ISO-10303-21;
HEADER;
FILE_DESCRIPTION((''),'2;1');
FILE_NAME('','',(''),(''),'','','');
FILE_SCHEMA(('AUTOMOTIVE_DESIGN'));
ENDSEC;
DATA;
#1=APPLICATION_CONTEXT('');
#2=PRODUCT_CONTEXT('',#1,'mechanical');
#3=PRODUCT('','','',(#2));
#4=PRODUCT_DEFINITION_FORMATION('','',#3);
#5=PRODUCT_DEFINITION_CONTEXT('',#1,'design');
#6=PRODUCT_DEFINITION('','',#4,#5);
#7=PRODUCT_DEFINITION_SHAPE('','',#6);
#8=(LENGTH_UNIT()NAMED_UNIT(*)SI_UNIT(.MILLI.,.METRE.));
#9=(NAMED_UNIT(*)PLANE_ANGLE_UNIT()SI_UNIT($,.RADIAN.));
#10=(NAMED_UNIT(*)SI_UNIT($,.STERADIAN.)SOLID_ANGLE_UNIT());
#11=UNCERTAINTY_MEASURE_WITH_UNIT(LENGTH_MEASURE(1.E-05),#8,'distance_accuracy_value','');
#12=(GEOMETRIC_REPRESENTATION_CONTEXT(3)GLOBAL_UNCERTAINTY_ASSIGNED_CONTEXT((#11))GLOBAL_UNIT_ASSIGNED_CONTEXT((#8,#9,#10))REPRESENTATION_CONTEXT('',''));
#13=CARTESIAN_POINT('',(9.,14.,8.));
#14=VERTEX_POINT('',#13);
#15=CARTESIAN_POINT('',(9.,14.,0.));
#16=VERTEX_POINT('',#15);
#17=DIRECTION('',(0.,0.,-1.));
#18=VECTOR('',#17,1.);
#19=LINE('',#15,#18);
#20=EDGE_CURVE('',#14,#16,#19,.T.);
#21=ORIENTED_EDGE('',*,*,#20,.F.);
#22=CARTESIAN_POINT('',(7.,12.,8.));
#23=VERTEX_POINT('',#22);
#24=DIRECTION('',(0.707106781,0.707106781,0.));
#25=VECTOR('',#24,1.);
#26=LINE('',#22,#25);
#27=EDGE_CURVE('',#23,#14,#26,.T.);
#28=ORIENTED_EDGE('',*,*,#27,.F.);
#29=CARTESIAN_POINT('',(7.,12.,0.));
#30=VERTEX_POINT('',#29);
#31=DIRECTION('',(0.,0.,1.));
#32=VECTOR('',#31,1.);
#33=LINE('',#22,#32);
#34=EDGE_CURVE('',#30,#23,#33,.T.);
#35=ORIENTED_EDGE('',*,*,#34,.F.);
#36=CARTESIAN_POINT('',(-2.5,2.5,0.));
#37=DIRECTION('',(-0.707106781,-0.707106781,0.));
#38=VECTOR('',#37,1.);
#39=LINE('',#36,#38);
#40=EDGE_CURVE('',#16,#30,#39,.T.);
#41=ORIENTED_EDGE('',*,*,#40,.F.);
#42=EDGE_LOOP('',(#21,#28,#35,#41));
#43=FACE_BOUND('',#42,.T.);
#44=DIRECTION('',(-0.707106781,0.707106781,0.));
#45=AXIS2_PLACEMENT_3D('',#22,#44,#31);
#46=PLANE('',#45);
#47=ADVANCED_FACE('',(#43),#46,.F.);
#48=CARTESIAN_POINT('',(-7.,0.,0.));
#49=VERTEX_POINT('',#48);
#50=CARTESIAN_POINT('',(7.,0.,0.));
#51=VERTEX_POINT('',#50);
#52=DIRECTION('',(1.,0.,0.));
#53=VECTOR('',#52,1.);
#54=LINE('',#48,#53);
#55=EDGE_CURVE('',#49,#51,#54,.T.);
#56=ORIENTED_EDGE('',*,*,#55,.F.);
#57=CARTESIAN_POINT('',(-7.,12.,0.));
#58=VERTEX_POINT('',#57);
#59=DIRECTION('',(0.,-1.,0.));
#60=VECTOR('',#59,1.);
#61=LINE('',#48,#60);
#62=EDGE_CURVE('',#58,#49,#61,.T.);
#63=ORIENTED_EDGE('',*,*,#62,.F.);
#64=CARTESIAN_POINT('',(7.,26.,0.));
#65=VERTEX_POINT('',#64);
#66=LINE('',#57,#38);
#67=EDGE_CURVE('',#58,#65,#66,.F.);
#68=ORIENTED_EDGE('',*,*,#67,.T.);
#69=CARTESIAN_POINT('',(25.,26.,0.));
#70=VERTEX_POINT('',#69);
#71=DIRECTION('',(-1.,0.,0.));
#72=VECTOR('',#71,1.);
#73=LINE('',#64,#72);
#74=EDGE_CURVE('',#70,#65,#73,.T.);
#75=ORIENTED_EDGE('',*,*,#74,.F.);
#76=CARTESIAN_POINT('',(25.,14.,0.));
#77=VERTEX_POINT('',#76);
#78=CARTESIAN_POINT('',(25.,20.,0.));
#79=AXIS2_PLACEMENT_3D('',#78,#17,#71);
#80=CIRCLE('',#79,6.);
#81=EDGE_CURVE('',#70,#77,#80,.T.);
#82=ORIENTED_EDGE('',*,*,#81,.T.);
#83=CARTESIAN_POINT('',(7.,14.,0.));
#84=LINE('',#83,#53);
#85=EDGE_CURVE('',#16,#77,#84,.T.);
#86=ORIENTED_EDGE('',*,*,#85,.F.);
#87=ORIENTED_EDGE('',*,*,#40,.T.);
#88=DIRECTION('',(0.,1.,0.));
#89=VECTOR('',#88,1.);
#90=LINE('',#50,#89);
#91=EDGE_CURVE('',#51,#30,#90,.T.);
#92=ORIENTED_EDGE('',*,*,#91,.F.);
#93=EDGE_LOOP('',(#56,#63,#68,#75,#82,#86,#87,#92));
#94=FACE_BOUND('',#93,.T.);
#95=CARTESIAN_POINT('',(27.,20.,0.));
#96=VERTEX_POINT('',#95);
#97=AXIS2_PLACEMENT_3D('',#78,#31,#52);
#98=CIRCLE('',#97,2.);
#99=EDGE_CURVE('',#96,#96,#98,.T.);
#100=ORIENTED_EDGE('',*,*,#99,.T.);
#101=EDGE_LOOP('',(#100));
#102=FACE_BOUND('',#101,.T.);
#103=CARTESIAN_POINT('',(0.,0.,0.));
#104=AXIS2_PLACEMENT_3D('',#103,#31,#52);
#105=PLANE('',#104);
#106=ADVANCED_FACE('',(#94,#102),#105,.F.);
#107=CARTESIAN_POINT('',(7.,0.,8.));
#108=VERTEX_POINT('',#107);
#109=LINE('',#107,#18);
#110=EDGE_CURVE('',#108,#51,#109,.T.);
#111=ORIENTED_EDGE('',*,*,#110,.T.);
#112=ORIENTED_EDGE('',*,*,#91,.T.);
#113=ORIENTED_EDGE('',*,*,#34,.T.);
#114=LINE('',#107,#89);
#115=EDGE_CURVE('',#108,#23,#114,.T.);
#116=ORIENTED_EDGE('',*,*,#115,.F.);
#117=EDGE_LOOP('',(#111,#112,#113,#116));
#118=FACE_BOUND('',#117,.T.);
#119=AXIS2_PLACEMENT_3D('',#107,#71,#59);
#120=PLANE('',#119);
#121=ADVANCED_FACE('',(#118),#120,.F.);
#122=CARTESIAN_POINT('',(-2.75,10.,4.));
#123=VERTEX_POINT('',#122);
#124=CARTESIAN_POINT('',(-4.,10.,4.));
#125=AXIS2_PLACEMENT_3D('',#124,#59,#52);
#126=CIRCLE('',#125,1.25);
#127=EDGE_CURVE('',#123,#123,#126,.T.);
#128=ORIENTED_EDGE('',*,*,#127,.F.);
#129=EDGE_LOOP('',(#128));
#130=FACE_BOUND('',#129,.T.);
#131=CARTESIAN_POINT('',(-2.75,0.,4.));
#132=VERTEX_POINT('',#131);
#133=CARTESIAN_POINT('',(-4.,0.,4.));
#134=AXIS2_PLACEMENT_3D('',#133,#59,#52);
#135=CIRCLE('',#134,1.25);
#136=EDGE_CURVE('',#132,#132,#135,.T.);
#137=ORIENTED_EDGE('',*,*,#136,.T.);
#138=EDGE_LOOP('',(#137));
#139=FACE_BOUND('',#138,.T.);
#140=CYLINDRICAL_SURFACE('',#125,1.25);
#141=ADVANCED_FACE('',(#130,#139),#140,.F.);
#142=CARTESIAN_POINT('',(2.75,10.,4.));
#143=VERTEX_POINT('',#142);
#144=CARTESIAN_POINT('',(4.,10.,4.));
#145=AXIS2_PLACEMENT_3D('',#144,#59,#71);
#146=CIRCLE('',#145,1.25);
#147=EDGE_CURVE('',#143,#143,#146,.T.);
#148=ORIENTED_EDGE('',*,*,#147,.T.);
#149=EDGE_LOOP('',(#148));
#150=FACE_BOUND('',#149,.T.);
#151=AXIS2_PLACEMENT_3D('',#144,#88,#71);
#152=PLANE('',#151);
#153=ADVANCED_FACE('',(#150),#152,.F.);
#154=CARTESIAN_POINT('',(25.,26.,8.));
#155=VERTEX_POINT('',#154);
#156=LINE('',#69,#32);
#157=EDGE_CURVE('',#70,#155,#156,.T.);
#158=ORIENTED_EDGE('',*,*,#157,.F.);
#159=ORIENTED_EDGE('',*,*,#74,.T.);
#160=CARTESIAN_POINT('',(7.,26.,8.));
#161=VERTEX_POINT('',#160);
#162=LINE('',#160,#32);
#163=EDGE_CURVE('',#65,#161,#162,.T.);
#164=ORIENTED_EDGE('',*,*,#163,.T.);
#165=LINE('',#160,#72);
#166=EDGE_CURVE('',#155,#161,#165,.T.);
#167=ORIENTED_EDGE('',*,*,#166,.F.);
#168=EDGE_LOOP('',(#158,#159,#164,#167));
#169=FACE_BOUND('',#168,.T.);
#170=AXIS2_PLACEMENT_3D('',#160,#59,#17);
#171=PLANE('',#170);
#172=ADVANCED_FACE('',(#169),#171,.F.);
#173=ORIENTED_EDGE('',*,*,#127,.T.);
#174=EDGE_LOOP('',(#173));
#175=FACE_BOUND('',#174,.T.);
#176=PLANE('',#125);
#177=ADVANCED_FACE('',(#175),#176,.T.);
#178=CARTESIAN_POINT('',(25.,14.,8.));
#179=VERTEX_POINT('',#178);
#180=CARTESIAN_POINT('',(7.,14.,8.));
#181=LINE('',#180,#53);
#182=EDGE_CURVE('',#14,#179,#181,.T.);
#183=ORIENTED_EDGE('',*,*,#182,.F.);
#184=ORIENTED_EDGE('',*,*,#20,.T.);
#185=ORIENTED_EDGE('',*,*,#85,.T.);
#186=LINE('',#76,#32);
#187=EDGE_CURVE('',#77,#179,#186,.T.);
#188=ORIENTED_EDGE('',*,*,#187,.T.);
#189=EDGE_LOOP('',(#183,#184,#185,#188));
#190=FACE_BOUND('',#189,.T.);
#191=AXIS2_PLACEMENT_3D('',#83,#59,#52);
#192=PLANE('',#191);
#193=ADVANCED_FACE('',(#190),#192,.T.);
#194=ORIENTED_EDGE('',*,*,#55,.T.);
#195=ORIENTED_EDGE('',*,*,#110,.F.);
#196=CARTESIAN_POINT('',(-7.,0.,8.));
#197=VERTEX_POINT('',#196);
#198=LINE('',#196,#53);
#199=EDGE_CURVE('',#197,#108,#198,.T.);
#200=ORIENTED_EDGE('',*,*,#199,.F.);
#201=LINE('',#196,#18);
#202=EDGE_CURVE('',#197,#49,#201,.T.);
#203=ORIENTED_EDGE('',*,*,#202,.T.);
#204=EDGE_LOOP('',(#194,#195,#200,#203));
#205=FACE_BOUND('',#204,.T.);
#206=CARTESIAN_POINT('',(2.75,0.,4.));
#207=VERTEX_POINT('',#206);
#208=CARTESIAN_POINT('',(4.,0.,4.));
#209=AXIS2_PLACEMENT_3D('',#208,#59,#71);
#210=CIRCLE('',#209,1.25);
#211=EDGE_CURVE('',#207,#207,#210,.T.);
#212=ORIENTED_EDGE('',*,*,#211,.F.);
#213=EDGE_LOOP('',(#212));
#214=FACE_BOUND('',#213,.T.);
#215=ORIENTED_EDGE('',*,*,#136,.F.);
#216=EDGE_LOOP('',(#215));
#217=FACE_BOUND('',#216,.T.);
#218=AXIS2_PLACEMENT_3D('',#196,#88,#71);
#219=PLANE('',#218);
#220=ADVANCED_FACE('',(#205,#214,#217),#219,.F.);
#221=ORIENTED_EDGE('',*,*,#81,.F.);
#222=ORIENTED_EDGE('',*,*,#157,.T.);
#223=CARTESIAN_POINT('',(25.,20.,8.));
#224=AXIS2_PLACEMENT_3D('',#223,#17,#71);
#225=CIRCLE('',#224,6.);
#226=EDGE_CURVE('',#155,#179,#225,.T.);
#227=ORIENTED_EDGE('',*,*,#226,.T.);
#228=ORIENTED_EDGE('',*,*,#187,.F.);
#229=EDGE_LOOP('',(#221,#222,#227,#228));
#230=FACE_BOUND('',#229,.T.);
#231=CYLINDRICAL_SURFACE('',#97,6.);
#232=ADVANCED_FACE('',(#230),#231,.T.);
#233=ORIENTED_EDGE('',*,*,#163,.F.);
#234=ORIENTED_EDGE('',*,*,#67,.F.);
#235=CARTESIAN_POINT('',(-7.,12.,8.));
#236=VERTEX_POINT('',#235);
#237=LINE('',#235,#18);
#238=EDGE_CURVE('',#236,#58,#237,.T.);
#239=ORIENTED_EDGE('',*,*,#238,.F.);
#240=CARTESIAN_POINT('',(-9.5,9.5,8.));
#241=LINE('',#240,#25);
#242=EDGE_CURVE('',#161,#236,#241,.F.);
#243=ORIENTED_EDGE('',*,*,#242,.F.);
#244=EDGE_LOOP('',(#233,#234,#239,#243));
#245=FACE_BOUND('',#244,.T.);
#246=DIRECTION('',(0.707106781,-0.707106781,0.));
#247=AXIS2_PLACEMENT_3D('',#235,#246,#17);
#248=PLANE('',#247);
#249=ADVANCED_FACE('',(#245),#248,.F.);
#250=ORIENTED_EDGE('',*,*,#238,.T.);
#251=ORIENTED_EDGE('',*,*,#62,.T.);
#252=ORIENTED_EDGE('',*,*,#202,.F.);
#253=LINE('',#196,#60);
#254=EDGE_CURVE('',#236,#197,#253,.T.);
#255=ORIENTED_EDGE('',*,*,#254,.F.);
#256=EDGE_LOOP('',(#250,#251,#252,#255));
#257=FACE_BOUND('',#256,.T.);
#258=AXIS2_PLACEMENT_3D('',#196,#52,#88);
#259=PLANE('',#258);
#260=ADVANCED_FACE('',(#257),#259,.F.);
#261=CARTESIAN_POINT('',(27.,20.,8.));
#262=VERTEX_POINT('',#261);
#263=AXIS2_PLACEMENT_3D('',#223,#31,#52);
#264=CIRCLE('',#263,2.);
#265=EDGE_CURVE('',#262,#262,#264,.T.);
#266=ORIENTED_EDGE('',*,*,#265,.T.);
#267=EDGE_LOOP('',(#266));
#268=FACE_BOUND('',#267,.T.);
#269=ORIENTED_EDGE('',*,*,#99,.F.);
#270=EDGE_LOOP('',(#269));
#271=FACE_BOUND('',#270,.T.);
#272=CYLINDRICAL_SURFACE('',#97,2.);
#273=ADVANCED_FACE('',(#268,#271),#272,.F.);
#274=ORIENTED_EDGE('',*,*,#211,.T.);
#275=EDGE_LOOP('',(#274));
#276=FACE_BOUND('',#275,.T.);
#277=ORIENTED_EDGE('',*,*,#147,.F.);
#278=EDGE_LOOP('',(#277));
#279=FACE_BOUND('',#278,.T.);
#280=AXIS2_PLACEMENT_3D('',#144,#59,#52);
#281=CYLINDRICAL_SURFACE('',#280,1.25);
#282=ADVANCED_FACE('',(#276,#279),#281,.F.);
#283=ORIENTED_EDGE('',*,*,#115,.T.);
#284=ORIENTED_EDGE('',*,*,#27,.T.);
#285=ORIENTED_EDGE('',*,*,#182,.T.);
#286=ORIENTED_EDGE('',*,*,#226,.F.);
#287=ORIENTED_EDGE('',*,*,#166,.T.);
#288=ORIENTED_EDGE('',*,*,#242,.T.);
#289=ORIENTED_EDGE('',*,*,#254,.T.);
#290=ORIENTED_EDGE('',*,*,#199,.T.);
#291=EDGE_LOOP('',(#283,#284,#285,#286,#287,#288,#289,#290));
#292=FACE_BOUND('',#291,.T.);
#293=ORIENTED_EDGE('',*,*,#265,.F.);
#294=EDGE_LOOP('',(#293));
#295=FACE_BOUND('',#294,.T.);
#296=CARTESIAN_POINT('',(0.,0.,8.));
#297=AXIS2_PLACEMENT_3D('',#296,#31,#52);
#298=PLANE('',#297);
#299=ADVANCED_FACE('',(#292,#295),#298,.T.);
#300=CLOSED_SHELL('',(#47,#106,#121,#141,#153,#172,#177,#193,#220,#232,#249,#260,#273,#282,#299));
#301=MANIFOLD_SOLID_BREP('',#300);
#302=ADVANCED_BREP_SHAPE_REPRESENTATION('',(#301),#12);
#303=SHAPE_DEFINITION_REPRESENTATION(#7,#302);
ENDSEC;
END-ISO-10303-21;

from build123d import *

# Parameters (mm, degrees)
ESQUISSE1_W             = 14
ESQUISSE1_H             = 26
BOSS_EXTRU_1_DEPTH      = 8
ESQUISSE3_R             = 1.25
ENL_V_MAT_EXTRU_1_DEPTH = 10
ESQUISSE4_W             = 24
ESQUISSE4_H             = 12
BOSS_EXTRU_2_DEPTH      = 8
ESQUISSE5_R             = 2
ENL_V_MAT_EXTRU_2_DEPTH = 42.243181255
CHANFREIN1_SIZE         = 14
ENL_V_MAT_EXTRU_3_DEPTH = 42.243181255
CHANFREIN2_SIZE         = 2


with BuildPart() as part:
    # Esquisse1 → Boss.-Extru.1 (new body)
    with BuildSketch(Plane.XY):
        with Locations((0, 13)):
            Rectangle(ESQUISSE1_W, ESQUISSE1_H)
    extrude(amount=BOSS_EXTRU_1_DEPTH)

    # Esquisse3 → Enlèv. mat.-Extru.1 (cut)
    with BuildSketch(Plane(origin=(0, 0, 0), x_dir=(-1, 0, 0), z_dir=(0, -1, 0))):
        with Locations(Location((4, -4, 0), (0, 0, 180))):
            Circle(ESQUISSE3_R)
        with Locations((-4, -4)):
            Circle(ESQUISSE3_R)
    extrude(amount=-ENL_V_MAT_EXTRU_1_DEPTH, mode=Mode.SUBTRACT)

    # Esquisse4 → Boss.-Extru.2 (add)
    with BuildSketch(Plane.XY.offset(8)):
        with Locations((19, 20)):
            Rectangle(ESQUISSE4_W, ESQUISSE4_H)
    extrude(amount=-BOSS_EXTRU_2_DEPTH)

    # Esquisse5 → Enlèv. mat.-Extru.2 (cut, through all)
    with BuildSketch(Plane.XY.offset(8)):
        with Locations((25, 20)):
            Circle(ESQUISSE5_R)
    extrude(amount=-ENL_V_MAT_EXTRU_2_DEPTH, mode=Mode.SUBTRACT)

    # Chanfrein1
    chanfrein1_edges = [part.edges().sort_by_distance(p)[0] for p in [
        (-7, 26, 4),
    ]]
    chamfer(chanfrein1_edges, length=CHANFREIN1_SIZE)

    # Esquisse6 → Enlèv. mat.-Extru.3 (cut, through all)
    with BuildSketch(Plane.XY.offset(8)):
        with BuildLine():
            Line((25, 26), (32, 26))
            Line((32, 26), (32, 14))
            Line((32, 14), (25, 14))
            ThreePointArc((25, 14), (31, 20), (25, 26))
        make_face()
    extrude(amount=-ENL_V_MAT_EXTRU_3_DEPTH, mode=Mode.SUBTRACT)

    # Chanfrein2
    chanfrein2_edges = [part.edges().sort_by_distance(p)[0] for p in [
        (7, 14, 4),
    ]]
    chamfer(chanfrein2_edges, length=CHANFREIN2_SIZE)


solid = part.part
